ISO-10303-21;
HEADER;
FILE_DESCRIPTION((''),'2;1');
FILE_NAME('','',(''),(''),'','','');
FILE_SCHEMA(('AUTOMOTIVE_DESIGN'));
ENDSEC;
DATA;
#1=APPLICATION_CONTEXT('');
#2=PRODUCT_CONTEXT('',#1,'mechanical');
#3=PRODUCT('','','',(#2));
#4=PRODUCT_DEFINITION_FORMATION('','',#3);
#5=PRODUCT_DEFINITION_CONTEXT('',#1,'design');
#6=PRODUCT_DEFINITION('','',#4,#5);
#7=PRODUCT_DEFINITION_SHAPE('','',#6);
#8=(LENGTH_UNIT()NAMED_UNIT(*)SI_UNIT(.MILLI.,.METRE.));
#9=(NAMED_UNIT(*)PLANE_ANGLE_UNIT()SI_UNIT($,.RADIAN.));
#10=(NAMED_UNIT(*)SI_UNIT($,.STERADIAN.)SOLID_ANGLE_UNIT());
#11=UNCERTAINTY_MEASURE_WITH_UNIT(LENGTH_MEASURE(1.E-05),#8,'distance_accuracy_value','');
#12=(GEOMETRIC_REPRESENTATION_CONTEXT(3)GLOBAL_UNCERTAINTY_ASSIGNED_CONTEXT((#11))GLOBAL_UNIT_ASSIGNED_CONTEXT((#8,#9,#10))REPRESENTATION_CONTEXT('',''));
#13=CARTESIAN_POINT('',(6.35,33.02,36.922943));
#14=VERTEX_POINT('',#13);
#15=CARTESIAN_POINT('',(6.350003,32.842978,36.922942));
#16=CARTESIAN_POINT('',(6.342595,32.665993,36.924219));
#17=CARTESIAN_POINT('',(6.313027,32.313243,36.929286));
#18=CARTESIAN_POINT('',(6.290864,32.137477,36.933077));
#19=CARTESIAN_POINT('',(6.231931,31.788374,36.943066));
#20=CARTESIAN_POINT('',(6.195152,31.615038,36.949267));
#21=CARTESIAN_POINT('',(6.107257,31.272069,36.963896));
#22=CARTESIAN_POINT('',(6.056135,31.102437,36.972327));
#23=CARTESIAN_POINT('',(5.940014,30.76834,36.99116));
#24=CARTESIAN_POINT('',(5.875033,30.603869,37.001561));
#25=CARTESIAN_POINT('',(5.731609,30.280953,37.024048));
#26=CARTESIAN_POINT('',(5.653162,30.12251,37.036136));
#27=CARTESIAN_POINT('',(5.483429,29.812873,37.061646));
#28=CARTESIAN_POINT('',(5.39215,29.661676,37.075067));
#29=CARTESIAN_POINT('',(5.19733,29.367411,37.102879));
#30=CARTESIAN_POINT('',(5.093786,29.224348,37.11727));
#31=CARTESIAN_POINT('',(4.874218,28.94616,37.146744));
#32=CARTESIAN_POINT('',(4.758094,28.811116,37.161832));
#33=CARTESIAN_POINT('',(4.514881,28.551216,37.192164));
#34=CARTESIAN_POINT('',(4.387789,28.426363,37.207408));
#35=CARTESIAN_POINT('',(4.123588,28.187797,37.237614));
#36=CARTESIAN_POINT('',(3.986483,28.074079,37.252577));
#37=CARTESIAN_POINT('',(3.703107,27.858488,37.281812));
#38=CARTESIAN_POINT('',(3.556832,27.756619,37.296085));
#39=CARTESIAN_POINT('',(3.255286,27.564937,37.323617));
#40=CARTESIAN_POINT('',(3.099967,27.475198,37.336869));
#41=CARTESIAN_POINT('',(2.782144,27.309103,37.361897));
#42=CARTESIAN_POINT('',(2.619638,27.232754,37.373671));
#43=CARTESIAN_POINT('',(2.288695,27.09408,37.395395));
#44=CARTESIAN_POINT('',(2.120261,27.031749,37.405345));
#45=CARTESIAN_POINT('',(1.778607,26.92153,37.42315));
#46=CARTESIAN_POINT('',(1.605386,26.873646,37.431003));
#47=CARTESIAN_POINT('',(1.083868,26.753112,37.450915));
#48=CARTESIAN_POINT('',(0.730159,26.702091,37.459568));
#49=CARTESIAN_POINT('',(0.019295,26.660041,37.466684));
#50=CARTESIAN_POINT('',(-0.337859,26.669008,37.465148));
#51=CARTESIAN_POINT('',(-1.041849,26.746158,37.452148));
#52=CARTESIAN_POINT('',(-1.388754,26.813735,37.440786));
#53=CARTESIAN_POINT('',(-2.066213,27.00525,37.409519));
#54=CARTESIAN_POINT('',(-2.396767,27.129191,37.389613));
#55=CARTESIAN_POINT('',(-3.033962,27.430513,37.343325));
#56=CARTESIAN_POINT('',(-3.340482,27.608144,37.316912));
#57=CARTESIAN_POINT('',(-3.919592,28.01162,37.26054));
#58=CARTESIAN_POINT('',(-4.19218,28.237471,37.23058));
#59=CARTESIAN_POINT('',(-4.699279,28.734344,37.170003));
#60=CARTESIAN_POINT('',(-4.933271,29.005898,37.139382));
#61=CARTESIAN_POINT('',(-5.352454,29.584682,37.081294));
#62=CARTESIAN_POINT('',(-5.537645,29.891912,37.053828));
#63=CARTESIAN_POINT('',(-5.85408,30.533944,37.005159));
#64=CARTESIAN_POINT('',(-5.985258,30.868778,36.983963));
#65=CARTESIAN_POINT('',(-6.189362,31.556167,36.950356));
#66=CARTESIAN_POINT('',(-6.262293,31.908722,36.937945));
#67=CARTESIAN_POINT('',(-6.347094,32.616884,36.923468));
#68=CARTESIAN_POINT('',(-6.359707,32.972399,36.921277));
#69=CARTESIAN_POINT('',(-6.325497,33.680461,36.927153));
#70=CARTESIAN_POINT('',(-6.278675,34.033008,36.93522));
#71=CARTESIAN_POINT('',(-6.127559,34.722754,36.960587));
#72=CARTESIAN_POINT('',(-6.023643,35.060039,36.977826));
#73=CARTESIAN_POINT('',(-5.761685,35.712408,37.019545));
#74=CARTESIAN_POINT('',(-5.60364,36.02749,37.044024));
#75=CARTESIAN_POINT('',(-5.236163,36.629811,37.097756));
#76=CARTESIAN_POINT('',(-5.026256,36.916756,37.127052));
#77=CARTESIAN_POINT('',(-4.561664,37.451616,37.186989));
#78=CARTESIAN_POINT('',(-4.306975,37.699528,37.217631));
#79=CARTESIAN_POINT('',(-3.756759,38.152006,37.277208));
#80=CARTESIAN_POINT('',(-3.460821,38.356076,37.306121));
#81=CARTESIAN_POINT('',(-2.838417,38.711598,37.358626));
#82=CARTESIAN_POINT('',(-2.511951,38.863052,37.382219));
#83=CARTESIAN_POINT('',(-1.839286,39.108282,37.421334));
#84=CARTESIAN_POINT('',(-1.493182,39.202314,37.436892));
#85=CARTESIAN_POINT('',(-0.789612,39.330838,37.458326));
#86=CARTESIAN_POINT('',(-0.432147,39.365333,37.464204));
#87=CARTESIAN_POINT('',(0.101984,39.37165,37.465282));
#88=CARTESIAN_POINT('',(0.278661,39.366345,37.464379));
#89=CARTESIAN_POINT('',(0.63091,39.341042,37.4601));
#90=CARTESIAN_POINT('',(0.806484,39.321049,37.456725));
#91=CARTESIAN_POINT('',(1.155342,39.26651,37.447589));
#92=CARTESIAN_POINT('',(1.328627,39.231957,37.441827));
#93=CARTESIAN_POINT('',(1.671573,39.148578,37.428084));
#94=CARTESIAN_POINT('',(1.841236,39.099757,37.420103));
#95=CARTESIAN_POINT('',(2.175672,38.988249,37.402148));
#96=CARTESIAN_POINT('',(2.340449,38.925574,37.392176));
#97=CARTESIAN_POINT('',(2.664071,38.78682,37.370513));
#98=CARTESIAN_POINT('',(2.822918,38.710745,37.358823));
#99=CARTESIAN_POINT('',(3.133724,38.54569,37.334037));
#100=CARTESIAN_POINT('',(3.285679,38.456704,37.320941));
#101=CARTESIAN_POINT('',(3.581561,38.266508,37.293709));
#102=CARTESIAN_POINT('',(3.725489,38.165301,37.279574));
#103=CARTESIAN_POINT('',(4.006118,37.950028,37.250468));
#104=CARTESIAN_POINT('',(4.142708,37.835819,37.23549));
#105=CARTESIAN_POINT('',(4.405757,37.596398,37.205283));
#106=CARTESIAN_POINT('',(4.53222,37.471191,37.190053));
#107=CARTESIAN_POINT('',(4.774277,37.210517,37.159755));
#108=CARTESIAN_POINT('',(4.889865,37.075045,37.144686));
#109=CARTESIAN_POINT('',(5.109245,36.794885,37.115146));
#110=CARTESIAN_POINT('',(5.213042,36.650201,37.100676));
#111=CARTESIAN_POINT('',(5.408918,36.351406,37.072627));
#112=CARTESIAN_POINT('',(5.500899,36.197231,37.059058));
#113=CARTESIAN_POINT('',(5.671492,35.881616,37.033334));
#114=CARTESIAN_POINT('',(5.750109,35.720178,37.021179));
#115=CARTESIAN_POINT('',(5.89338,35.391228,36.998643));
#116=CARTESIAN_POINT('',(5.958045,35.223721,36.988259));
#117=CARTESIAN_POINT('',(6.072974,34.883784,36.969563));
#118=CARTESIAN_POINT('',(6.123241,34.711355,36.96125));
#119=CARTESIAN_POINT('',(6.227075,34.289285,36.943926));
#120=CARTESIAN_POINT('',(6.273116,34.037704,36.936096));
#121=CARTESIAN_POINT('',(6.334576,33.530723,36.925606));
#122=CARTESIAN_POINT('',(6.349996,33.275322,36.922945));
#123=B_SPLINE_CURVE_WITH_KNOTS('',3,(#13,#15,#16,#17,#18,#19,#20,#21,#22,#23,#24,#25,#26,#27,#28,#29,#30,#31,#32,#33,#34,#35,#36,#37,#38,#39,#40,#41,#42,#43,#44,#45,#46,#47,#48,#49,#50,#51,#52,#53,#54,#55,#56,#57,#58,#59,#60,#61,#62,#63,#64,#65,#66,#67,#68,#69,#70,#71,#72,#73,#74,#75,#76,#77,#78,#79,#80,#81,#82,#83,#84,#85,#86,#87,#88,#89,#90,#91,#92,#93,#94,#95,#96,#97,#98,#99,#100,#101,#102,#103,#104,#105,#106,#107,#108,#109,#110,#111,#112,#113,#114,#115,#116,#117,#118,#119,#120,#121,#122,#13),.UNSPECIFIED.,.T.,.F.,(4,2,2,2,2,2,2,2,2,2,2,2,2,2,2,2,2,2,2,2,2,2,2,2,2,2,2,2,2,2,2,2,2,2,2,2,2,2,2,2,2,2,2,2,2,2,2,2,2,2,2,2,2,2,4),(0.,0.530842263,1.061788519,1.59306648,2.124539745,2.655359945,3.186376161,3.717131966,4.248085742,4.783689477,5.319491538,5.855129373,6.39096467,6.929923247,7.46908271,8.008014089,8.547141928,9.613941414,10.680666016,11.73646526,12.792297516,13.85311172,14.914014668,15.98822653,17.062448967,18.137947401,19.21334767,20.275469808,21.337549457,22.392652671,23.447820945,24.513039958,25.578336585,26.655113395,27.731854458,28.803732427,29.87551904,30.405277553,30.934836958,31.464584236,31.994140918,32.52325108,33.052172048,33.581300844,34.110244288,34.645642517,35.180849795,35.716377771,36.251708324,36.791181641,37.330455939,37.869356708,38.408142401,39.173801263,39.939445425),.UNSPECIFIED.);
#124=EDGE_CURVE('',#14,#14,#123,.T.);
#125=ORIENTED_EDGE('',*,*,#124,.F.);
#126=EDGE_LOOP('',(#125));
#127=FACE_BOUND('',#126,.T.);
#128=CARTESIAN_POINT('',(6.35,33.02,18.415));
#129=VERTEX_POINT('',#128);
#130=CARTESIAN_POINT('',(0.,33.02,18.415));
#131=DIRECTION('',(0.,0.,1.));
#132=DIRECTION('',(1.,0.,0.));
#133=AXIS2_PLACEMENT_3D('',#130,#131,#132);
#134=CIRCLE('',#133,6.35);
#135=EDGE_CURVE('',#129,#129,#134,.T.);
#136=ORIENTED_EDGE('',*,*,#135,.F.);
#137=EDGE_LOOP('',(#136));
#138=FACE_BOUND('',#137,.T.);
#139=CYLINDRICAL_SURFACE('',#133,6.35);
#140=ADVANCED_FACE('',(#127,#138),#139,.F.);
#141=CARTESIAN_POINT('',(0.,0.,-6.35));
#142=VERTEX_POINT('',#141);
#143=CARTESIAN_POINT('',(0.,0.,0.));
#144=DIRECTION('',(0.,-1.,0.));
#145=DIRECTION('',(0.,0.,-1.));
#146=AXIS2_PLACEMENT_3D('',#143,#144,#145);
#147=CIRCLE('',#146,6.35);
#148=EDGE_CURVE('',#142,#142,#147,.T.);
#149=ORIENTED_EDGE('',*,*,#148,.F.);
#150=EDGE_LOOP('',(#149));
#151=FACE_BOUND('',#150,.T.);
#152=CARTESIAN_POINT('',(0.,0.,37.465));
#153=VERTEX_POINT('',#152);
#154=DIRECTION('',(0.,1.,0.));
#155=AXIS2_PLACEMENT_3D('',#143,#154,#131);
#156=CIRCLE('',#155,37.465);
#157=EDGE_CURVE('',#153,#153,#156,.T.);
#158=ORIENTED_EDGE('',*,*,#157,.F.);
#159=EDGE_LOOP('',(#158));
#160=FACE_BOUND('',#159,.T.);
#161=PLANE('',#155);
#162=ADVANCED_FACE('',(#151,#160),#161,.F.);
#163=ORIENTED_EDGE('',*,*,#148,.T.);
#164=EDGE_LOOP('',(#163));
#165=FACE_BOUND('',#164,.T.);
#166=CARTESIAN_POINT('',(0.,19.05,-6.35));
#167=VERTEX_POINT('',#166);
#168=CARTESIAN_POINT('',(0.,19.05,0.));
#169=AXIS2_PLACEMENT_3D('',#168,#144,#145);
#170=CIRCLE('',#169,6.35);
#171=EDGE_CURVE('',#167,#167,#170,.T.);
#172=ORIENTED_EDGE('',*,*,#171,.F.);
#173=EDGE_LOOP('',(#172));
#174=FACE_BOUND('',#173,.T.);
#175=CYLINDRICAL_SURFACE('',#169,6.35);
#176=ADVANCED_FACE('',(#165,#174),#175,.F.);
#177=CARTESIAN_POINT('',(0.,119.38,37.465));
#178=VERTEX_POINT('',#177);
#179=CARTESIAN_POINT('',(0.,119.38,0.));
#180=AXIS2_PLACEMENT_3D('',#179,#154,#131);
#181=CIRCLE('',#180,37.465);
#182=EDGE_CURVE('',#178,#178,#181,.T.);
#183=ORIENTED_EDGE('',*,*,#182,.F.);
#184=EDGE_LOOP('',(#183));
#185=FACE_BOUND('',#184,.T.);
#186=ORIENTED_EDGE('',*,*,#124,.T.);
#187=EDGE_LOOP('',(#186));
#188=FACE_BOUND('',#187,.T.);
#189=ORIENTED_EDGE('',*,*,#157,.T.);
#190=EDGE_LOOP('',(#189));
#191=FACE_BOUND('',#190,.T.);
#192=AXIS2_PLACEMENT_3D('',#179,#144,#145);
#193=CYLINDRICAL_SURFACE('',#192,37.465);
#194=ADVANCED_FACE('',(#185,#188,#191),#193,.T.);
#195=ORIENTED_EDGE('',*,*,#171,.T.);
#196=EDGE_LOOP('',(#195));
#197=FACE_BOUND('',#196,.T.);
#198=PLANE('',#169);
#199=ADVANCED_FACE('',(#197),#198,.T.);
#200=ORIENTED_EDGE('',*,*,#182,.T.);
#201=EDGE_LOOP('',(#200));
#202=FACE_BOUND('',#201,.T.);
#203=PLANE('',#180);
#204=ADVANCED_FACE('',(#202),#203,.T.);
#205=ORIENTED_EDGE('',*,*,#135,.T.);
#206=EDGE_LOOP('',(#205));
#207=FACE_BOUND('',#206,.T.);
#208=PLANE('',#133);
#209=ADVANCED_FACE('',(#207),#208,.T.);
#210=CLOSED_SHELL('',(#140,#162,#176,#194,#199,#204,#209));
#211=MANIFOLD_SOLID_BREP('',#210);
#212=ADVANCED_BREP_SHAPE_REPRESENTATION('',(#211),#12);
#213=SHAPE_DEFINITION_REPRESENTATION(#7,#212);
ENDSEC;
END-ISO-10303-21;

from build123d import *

# Parameters (mm, degrees)
SKETCH1_R           = 37.465
BOSS_EXTRUDE1_DEPTH = 119.38
SKETCH3_R           = 6.35
CUT_EXTRUDE1_DEPTH  = 19.05
SKETCH4_R           = 6.35
CUT_EXTRUDE2_DEPTH  = 19.05


with BuildPart() as part:
    # Sketch1 → Boss-Extrude1 (new body)
    with BuildSketch(Plane(origin=(0, 0, 0), x_dir=(1, 0, 0), z_dir=(0, 1, 0))):
        Circle(SKETCH1_R)
    extrude(amount=BOSS_EXTRUDE1_DEPTH)

    # Sketch3 → Cut-Extrude1 (cut)
    with BuildSketch(Plane.XY.offset(37.465)):
        with Locations((0, 33.02)):
            Circle(SKETCH3_R)
    extrude(amount=-CUT_EXTRUDE1_DEPTH, mode=Mode.SUBTRACT)

    # Sketch4 → Cut-Extrude2 (cut)
    with BuildSketch(Plane.XZ):
        Circle(SKETCH4_R)
    extrude(amount=-CUT_EXTRUDE2_DEPTH, mode=Mode.SUBTRACT)


solid = part.part
